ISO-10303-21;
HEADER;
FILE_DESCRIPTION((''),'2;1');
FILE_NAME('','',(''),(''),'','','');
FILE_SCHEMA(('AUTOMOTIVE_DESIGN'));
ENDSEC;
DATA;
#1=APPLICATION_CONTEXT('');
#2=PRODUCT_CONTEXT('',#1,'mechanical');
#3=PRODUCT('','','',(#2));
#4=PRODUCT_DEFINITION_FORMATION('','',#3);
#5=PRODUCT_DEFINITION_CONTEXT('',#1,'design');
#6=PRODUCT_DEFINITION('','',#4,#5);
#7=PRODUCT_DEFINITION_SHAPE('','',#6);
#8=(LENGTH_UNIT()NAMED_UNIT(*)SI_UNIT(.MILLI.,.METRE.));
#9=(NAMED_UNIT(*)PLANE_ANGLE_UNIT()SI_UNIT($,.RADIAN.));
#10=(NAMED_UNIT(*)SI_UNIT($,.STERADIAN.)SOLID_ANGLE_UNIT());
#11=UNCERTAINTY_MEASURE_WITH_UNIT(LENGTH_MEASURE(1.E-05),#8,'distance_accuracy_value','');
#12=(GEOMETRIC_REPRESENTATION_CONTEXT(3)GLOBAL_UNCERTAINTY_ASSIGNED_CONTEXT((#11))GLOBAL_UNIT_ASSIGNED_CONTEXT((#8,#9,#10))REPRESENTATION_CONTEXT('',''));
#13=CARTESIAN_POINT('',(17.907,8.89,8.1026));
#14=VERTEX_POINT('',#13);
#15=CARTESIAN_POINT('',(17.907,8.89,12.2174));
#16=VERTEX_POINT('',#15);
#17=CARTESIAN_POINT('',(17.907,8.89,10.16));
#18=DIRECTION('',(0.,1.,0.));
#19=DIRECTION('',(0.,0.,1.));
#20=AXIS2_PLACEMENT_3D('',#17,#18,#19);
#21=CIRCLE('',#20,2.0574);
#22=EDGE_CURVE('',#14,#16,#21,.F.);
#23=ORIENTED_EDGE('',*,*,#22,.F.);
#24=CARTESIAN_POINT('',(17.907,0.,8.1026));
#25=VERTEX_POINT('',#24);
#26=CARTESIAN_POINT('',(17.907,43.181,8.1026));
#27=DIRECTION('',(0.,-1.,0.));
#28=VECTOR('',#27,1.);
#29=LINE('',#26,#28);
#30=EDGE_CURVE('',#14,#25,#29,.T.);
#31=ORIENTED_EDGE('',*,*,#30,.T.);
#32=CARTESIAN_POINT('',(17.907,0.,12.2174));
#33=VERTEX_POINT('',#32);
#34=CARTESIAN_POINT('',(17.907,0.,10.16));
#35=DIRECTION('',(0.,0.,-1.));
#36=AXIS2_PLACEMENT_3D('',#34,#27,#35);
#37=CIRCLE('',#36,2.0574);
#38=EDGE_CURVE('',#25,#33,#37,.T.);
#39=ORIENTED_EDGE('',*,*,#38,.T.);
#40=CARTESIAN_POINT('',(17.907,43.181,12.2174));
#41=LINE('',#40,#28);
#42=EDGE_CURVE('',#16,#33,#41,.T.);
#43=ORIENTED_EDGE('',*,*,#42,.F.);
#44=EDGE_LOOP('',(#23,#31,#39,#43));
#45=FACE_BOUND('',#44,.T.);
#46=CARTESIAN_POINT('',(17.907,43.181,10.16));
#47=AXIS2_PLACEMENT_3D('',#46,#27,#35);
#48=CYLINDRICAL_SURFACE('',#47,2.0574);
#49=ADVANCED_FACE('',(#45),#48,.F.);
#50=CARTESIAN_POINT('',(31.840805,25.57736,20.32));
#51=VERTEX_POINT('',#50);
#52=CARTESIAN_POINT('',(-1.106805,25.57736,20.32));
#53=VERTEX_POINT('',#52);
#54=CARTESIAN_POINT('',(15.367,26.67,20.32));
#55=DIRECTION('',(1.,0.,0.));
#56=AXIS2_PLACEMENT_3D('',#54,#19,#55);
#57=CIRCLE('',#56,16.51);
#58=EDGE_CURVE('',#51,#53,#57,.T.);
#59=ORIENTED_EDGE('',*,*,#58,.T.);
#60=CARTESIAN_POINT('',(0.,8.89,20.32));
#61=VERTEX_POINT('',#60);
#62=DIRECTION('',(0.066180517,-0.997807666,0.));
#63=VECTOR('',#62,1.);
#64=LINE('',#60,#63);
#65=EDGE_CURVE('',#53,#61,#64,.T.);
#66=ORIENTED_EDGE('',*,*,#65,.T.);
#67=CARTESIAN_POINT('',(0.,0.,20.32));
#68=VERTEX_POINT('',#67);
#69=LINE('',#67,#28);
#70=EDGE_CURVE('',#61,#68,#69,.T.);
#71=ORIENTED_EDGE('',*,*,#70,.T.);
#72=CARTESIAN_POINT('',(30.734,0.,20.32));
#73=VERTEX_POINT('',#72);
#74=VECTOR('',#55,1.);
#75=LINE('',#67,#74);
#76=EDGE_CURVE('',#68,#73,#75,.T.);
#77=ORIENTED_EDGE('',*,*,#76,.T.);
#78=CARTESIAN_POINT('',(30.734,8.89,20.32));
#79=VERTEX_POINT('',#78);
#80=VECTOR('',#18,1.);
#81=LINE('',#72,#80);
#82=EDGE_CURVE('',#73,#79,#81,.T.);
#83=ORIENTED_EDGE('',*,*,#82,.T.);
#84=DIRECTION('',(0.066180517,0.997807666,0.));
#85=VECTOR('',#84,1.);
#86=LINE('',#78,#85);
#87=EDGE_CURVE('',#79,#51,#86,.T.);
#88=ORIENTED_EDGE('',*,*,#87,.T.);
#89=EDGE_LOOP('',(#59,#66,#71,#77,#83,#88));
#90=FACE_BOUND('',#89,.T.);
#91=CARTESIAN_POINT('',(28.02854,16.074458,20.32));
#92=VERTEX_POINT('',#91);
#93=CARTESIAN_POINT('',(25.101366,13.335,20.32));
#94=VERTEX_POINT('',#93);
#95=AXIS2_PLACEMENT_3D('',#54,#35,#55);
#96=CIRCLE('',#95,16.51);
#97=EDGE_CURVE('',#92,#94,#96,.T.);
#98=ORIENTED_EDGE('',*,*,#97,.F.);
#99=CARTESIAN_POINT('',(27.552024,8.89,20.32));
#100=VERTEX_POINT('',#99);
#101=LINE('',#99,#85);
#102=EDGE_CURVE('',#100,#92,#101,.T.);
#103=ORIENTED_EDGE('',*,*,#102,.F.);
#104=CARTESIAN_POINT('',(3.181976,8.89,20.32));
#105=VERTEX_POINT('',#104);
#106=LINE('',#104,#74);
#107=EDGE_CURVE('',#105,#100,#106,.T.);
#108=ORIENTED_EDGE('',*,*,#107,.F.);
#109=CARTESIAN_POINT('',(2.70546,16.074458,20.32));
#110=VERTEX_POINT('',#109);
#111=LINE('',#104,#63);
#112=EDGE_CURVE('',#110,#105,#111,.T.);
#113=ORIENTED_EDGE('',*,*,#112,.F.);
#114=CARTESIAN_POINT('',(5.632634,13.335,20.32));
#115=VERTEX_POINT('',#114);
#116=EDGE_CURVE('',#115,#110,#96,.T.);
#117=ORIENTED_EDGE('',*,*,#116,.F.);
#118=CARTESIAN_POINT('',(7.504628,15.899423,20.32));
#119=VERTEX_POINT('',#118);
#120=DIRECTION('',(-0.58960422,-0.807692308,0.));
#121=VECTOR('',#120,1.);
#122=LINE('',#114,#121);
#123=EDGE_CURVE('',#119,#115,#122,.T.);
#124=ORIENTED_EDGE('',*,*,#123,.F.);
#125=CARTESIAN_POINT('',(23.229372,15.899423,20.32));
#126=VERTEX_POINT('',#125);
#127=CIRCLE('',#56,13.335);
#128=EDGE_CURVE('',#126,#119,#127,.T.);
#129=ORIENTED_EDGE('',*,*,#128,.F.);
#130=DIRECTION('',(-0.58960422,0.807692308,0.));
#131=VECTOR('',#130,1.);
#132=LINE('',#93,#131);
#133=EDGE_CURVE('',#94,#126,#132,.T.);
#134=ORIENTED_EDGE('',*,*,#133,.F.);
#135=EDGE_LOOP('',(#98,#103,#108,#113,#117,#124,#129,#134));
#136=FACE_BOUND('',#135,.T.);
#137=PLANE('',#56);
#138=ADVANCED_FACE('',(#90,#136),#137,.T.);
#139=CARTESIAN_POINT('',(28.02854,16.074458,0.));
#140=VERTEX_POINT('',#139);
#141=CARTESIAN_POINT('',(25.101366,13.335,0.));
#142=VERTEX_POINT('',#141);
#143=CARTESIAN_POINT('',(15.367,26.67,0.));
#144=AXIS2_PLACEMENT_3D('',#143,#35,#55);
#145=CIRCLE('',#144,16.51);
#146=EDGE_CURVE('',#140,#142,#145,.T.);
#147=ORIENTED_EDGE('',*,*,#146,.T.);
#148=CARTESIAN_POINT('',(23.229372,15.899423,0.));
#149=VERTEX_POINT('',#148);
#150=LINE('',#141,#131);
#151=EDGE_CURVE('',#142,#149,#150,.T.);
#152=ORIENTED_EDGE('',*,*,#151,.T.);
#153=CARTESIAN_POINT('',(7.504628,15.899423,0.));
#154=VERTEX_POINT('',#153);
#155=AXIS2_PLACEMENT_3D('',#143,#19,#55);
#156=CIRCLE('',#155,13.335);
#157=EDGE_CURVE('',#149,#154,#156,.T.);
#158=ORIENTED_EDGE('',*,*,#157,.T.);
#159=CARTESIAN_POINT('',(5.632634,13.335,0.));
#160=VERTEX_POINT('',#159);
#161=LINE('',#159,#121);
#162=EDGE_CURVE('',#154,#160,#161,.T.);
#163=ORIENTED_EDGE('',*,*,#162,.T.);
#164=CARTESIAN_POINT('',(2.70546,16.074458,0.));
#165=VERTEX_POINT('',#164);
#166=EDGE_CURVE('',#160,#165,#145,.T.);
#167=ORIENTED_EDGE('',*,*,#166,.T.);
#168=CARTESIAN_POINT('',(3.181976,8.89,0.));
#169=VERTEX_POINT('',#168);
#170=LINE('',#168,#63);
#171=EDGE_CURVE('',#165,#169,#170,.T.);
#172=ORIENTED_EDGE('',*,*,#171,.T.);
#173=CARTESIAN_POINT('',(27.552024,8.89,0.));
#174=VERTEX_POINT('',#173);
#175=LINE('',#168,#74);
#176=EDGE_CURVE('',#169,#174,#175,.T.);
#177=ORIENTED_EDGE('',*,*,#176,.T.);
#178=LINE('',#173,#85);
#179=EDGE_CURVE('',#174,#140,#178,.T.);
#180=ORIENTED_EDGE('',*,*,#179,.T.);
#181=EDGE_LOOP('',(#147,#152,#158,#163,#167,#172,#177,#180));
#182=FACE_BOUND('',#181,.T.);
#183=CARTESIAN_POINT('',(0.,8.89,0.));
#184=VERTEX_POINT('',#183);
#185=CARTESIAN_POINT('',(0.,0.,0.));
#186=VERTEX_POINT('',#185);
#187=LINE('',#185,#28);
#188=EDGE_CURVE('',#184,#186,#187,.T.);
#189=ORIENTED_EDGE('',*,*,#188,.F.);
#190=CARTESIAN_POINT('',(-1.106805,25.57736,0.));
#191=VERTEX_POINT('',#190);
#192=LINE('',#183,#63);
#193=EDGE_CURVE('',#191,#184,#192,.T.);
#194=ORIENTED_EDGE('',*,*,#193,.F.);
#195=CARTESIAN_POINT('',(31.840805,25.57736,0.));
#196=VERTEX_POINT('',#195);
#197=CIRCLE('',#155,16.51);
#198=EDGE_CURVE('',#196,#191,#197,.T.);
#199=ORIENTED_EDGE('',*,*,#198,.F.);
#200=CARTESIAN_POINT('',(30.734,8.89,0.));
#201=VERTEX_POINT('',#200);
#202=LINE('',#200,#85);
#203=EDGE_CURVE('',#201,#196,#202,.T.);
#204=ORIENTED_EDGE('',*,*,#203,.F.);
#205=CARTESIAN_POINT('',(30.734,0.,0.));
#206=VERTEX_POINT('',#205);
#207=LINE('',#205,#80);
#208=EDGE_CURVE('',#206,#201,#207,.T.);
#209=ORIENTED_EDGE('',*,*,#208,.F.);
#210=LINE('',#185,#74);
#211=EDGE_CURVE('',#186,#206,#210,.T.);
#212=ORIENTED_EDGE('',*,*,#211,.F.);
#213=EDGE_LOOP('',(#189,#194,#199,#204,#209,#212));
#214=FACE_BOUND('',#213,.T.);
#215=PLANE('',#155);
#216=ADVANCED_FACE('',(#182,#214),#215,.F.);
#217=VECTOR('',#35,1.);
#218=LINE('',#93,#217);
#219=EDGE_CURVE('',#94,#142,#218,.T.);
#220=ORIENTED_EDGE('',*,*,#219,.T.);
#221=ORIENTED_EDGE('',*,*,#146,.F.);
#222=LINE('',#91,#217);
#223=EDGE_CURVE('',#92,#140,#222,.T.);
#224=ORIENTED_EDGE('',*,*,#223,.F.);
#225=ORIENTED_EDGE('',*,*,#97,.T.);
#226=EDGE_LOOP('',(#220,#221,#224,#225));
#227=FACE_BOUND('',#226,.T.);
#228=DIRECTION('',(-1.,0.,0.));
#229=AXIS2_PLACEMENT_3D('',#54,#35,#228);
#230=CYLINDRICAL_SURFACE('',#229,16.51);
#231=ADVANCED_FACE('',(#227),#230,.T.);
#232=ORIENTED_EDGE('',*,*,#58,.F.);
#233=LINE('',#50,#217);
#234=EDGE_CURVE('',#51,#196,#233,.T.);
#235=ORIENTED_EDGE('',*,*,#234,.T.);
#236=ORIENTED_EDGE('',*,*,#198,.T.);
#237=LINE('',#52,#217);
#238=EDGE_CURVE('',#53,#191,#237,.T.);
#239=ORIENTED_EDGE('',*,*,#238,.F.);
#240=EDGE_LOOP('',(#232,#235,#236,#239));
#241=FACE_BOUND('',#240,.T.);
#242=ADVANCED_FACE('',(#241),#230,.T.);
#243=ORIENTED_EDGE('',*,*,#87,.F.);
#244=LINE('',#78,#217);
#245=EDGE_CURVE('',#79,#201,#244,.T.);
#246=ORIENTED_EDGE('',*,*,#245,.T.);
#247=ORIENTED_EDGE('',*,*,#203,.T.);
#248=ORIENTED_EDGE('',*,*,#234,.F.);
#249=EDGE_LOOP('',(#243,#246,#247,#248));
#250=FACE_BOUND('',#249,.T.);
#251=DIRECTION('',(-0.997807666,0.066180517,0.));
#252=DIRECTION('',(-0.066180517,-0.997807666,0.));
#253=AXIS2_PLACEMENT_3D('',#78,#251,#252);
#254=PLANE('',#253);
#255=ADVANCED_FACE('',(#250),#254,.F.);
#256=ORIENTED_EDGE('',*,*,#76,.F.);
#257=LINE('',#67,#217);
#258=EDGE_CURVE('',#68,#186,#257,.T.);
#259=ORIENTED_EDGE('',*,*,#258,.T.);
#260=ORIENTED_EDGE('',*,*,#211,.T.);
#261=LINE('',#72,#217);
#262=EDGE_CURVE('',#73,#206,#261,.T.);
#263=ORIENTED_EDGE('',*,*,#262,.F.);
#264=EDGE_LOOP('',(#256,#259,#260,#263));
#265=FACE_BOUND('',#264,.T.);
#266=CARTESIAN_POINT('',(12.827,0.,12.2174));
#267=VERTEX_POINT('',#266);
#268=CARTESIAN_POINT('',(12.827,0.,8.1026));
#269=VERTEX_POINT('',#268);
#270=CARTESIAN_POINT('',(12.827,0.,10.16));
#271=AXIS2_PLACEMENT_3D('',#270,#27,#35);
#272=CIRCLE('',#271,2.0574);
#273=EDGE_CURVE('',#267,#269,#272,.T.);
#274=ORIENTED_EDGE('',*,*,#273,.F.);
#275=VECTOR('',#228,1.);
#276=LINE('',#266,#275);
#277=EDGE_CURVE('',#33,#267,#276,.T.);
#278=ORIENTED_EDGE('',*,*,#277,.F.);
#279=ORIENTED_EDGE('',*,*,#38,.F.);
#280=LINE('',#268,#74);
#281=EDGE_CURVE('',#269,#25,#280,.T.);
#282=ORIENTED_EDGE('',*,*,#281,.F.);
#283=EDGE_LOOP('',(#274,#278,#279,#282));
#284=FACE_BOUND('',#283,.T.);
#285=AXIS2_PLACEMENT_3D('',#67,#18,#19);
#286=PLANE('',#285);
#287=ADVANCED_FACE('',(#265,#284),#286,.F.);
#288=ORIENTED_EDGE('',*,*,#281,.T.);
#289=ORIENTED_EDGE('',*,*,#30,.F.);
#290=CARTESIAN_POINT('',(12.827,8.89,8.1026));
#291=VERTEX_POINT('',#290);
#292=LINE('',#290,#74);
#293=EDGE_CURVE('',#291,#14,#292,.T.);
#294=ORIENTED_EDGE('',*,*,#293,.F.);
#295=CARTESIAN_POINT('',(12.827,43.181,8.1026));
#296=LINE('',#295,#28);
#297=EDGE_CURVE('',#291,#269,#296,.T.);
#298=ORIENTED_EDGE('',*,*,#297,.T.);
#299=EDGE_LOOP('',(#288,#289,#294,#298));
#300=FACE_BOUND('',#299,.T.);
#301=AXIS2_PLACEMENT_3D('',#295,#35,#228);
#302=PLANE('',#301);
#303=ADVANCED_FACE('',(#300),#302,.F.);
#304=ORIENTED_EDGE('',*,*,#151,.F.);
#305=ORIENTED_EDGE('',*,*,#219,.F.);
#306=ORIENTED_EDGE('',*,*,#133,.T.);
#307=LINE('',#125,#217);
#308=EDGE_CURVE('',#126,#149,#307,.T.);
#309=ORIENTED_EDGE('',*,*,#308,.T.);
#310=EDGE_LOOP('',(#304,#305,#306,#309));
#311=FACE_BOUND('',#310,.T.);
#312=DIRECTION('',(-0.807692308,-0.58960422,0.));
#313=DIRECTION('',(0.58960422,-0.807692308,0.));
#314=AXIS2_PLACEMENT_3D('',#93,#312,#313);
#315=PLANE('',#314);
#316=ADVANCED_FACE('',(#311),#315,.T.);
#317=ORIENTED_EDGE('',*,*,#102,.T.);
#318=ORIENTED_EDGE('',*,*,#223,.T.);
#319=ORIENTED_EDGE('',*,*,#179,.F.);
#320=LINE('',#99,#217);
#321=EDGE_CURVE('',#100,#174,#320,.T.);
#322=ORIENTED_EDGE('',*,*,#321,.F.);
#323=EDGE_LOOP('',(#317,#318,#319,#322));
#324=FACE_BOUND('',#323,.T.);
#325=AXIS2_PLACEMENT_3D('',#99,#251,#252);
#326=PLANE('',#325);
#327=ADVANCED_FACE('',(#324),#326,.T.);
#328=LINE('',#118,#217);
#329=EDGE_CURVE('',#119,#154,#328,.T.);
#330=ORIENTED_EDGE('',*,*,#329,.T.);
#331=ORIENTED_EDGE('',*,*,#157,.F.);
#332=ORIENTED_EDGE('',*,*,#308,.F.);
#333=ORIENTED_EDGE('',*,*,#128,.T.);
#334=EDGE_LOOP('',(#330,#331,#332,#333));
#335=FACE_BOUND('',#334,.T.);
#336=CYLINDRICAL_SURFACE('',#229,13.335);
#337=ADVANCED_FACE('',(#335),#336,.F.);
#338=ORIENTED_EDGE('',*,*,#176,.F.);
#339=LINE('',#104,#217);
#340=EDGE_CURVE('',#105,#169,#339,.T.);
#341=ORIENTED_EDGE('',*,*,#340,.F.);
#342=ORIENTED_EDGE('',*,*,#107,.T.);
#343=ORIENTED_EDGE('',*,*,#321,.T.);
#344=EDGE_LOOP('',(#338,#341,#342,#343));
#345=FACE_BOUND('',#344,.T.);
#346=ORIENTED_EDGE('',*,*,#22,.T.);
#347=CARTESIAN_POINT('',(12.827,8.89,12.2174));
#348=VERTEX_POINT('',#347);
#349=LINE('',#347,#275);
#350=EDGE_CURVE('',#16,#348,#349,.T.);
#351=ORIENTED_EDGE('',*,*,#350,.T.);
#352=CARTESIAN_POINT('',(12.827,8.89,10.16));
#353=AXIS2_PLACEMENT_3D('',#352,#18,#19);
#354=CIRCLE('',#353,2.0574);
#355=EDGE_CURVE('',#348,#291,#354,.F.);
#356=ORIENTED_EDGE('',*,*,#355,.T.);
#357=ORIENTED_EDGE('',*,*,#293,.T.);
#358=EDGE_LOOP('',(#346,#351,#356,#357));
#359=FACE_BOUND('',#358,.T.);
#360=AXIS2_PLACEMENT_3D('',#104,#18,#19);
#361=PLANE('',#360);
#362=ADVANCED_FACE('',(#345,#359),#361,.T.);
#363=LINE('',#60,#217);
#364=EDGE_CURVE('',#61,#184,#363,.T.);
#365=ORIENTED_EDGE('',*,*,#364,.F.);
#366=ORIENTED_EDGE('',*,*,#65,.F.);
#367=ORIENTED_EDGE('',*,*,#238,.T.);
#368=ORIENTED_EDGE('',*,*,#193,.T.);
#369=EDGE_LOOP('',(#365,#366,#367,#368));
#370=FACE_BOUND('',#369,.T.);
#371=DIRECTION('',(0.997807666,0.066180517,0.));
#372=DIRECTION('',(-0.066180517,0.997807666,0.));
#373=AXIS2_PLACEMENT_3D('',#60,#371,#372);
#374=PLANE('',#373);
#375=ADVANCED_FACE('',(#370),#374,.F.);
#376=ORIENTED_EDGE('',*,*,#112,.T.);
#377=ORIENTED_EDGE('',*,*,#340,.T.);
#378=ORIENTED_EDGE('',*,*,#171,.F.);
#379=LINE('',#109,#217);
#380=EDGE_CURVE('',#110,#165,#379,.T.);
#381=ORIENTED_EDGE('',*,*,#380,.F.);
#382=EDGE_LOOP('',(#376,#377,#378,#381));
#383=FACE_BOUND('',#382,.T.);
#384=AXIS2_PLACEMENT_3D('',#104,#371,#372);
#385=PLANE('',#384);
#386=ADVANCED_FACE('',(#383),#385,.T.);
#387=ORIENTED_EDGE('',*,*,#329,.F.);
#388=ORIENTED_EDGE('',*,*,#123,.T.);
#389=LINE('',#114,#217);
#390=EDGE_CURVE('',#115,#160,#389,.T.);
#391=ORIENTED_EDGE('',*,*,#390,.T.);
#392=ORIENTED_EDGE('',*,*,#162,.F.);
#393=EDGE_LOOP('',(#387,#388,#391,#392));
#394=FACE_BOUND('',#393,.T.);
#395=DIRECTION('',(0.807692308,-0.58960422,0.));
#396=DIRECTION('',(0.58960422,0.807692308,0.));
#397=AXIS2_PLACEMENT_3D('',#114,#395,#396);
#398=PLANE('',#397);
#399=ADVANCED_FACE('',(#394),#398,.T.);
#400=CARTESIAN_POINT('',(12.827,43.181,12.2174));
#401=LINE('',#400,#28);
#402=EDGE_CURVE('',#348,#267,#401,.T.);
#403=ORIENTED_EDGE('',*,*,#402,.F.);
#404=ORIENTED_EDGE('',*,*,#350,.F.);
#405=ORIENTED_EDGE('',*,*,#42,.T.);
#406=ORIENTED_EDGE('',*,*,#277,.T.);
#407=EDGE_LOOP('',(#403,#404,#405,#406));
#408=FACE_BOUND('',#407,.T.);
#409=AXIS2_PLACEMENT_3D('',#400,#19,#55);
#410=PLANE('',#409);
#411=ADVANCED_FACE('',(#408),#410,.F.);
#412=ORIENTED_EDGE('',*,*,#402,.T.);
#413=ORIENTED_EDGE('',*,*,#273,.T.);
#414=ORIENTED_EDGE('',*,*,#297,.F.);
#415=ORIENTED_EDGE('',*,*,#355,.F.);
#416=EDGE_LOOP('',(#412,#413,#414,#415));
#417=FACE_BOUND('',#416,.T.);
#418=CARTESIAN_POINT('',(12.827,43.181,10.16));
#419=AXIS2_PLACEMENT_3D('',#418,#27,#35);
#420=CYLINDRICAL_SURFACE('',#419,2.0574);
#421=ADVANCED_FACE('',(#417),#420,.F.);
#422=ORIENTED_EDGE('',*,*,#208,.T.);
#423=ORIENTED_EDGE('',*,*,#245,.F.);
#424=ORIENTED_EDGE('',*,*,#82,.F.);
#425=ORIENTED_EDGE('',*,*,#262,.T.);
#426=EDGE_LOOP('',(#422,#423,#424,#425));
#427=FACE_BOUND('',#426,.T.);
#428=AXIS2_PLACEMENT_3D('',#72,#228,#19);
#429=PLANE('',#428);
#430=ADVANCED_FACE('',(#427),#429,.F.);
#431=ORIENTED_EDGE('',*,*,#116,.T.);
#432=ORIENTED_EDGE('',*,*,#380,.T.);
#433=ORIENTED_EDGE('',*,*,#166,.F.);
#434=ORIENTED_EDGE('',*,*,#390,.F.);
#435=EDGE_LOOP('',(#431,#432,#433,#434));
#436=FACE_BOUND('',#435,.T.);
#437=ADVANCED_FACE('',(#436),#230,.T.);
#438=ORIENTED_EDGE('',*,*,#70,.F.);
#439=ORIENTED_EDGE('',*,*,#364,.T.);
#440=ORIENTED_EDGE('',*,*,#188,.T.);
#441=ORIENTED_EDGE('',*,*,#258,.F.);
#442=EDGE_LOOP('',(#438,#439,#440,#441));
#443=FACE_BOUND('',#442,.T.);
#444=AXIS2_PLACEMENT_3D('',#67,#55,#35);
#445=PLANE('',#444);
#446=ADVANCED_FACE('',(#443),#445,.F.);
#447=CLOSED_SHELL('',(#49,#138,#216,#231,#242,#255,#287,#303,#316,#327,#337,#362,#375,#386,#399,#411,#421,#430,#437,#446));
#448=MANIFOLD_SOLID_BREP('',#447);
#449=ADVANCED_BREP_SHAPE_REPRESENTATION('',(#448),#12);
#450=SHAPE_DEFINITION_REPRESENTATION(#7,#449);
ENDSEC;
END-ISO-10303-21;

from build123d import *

# Parameters (mm, degrees)
BOSS_EXTRUDE1_DEPTH = 20.32
CUT_EXTRUDE1_REACH  = 59.39


with BuildPart() as part:
    # Sketch1 → Boss-Extrude1 (new body)
    with BuildSketch(Plane.XY):
        with BuildLine():
            Line((0, 0), (30.734, 0))
            Line((30.734, 0), (30.734, 8.89))
            Line((30.734, 8.89), (31.840804573, 25.577359666))
            ThreePointArc((31.840804573, 25.577359666), (15.367, 43.18), (-1.106804573, 25.577359666))
            Line((-1.106804573, 25.577359666), (0, 8.89))
            Line((0, 8.89), (0, 0))
        make_face()
        with BuildLine():
            Line((3.181975953, 8.89), (27.552024047, 8.89))
            Line((27.552024047, 8.89), (28.02853988, 16.074458114))
            ThreePointArc((28.02853988, 16.074458114), (26.648414098, 14.615548708), (25.10136567, 13.335))
            Line((25.10136567, 13.335), (23.229372272, 15.899423077))
            ThreePointArc((23.229372272, 15.899423077), (15.367, 40.005), (7.504627728, 15.899423077))
            Line((7.504627728, 15.899423077), (5.63263433, 13.335))
            ThreePointArc((5.63263433, 13.335), (4.085585902, 14.615548708), (2.70546012, 16.074458114))
            Line((2.70546012, 16.074458114), (3.181975953, 8.89))
        make_face(mode=Mode.SUBTRACT)
    extrude(amount=BOSS_EXTRUDE1_DEPTH)

    # Sketch2 → Cut-Extrude1 (cut, up to next)
    with BuildSketch(Plane.XZ, mode=Mode.PRIVATE) as cut_extrude1_sk1:
        with BuildLine():
            Line((12.827, 12.2174), (17.907, 12.2174))
            ThreePointArc((17.907, 12.2174), (19.9644, 10.16), (17.907, 8.1026))
            Line((17.907, 8.1026), (12.827, 8.1026))
            ThreePointArc((12.827, 8.1026), (10.7696, 10.16), (12.827, 12.2174))
        make_face()
    cut_extrude1_tool1 = extrude(cut_extrude1_sk1.sketch, amount=-CUT_EXTRUDE1_REACH, mode=Mode.PRIVATE) & part.part
    add(cut_extrude1_tool1.solids().sort_by_distance((15.367, 0, 10.16))[0], mode=Mode.SUBTRACT)


solid = part.part
